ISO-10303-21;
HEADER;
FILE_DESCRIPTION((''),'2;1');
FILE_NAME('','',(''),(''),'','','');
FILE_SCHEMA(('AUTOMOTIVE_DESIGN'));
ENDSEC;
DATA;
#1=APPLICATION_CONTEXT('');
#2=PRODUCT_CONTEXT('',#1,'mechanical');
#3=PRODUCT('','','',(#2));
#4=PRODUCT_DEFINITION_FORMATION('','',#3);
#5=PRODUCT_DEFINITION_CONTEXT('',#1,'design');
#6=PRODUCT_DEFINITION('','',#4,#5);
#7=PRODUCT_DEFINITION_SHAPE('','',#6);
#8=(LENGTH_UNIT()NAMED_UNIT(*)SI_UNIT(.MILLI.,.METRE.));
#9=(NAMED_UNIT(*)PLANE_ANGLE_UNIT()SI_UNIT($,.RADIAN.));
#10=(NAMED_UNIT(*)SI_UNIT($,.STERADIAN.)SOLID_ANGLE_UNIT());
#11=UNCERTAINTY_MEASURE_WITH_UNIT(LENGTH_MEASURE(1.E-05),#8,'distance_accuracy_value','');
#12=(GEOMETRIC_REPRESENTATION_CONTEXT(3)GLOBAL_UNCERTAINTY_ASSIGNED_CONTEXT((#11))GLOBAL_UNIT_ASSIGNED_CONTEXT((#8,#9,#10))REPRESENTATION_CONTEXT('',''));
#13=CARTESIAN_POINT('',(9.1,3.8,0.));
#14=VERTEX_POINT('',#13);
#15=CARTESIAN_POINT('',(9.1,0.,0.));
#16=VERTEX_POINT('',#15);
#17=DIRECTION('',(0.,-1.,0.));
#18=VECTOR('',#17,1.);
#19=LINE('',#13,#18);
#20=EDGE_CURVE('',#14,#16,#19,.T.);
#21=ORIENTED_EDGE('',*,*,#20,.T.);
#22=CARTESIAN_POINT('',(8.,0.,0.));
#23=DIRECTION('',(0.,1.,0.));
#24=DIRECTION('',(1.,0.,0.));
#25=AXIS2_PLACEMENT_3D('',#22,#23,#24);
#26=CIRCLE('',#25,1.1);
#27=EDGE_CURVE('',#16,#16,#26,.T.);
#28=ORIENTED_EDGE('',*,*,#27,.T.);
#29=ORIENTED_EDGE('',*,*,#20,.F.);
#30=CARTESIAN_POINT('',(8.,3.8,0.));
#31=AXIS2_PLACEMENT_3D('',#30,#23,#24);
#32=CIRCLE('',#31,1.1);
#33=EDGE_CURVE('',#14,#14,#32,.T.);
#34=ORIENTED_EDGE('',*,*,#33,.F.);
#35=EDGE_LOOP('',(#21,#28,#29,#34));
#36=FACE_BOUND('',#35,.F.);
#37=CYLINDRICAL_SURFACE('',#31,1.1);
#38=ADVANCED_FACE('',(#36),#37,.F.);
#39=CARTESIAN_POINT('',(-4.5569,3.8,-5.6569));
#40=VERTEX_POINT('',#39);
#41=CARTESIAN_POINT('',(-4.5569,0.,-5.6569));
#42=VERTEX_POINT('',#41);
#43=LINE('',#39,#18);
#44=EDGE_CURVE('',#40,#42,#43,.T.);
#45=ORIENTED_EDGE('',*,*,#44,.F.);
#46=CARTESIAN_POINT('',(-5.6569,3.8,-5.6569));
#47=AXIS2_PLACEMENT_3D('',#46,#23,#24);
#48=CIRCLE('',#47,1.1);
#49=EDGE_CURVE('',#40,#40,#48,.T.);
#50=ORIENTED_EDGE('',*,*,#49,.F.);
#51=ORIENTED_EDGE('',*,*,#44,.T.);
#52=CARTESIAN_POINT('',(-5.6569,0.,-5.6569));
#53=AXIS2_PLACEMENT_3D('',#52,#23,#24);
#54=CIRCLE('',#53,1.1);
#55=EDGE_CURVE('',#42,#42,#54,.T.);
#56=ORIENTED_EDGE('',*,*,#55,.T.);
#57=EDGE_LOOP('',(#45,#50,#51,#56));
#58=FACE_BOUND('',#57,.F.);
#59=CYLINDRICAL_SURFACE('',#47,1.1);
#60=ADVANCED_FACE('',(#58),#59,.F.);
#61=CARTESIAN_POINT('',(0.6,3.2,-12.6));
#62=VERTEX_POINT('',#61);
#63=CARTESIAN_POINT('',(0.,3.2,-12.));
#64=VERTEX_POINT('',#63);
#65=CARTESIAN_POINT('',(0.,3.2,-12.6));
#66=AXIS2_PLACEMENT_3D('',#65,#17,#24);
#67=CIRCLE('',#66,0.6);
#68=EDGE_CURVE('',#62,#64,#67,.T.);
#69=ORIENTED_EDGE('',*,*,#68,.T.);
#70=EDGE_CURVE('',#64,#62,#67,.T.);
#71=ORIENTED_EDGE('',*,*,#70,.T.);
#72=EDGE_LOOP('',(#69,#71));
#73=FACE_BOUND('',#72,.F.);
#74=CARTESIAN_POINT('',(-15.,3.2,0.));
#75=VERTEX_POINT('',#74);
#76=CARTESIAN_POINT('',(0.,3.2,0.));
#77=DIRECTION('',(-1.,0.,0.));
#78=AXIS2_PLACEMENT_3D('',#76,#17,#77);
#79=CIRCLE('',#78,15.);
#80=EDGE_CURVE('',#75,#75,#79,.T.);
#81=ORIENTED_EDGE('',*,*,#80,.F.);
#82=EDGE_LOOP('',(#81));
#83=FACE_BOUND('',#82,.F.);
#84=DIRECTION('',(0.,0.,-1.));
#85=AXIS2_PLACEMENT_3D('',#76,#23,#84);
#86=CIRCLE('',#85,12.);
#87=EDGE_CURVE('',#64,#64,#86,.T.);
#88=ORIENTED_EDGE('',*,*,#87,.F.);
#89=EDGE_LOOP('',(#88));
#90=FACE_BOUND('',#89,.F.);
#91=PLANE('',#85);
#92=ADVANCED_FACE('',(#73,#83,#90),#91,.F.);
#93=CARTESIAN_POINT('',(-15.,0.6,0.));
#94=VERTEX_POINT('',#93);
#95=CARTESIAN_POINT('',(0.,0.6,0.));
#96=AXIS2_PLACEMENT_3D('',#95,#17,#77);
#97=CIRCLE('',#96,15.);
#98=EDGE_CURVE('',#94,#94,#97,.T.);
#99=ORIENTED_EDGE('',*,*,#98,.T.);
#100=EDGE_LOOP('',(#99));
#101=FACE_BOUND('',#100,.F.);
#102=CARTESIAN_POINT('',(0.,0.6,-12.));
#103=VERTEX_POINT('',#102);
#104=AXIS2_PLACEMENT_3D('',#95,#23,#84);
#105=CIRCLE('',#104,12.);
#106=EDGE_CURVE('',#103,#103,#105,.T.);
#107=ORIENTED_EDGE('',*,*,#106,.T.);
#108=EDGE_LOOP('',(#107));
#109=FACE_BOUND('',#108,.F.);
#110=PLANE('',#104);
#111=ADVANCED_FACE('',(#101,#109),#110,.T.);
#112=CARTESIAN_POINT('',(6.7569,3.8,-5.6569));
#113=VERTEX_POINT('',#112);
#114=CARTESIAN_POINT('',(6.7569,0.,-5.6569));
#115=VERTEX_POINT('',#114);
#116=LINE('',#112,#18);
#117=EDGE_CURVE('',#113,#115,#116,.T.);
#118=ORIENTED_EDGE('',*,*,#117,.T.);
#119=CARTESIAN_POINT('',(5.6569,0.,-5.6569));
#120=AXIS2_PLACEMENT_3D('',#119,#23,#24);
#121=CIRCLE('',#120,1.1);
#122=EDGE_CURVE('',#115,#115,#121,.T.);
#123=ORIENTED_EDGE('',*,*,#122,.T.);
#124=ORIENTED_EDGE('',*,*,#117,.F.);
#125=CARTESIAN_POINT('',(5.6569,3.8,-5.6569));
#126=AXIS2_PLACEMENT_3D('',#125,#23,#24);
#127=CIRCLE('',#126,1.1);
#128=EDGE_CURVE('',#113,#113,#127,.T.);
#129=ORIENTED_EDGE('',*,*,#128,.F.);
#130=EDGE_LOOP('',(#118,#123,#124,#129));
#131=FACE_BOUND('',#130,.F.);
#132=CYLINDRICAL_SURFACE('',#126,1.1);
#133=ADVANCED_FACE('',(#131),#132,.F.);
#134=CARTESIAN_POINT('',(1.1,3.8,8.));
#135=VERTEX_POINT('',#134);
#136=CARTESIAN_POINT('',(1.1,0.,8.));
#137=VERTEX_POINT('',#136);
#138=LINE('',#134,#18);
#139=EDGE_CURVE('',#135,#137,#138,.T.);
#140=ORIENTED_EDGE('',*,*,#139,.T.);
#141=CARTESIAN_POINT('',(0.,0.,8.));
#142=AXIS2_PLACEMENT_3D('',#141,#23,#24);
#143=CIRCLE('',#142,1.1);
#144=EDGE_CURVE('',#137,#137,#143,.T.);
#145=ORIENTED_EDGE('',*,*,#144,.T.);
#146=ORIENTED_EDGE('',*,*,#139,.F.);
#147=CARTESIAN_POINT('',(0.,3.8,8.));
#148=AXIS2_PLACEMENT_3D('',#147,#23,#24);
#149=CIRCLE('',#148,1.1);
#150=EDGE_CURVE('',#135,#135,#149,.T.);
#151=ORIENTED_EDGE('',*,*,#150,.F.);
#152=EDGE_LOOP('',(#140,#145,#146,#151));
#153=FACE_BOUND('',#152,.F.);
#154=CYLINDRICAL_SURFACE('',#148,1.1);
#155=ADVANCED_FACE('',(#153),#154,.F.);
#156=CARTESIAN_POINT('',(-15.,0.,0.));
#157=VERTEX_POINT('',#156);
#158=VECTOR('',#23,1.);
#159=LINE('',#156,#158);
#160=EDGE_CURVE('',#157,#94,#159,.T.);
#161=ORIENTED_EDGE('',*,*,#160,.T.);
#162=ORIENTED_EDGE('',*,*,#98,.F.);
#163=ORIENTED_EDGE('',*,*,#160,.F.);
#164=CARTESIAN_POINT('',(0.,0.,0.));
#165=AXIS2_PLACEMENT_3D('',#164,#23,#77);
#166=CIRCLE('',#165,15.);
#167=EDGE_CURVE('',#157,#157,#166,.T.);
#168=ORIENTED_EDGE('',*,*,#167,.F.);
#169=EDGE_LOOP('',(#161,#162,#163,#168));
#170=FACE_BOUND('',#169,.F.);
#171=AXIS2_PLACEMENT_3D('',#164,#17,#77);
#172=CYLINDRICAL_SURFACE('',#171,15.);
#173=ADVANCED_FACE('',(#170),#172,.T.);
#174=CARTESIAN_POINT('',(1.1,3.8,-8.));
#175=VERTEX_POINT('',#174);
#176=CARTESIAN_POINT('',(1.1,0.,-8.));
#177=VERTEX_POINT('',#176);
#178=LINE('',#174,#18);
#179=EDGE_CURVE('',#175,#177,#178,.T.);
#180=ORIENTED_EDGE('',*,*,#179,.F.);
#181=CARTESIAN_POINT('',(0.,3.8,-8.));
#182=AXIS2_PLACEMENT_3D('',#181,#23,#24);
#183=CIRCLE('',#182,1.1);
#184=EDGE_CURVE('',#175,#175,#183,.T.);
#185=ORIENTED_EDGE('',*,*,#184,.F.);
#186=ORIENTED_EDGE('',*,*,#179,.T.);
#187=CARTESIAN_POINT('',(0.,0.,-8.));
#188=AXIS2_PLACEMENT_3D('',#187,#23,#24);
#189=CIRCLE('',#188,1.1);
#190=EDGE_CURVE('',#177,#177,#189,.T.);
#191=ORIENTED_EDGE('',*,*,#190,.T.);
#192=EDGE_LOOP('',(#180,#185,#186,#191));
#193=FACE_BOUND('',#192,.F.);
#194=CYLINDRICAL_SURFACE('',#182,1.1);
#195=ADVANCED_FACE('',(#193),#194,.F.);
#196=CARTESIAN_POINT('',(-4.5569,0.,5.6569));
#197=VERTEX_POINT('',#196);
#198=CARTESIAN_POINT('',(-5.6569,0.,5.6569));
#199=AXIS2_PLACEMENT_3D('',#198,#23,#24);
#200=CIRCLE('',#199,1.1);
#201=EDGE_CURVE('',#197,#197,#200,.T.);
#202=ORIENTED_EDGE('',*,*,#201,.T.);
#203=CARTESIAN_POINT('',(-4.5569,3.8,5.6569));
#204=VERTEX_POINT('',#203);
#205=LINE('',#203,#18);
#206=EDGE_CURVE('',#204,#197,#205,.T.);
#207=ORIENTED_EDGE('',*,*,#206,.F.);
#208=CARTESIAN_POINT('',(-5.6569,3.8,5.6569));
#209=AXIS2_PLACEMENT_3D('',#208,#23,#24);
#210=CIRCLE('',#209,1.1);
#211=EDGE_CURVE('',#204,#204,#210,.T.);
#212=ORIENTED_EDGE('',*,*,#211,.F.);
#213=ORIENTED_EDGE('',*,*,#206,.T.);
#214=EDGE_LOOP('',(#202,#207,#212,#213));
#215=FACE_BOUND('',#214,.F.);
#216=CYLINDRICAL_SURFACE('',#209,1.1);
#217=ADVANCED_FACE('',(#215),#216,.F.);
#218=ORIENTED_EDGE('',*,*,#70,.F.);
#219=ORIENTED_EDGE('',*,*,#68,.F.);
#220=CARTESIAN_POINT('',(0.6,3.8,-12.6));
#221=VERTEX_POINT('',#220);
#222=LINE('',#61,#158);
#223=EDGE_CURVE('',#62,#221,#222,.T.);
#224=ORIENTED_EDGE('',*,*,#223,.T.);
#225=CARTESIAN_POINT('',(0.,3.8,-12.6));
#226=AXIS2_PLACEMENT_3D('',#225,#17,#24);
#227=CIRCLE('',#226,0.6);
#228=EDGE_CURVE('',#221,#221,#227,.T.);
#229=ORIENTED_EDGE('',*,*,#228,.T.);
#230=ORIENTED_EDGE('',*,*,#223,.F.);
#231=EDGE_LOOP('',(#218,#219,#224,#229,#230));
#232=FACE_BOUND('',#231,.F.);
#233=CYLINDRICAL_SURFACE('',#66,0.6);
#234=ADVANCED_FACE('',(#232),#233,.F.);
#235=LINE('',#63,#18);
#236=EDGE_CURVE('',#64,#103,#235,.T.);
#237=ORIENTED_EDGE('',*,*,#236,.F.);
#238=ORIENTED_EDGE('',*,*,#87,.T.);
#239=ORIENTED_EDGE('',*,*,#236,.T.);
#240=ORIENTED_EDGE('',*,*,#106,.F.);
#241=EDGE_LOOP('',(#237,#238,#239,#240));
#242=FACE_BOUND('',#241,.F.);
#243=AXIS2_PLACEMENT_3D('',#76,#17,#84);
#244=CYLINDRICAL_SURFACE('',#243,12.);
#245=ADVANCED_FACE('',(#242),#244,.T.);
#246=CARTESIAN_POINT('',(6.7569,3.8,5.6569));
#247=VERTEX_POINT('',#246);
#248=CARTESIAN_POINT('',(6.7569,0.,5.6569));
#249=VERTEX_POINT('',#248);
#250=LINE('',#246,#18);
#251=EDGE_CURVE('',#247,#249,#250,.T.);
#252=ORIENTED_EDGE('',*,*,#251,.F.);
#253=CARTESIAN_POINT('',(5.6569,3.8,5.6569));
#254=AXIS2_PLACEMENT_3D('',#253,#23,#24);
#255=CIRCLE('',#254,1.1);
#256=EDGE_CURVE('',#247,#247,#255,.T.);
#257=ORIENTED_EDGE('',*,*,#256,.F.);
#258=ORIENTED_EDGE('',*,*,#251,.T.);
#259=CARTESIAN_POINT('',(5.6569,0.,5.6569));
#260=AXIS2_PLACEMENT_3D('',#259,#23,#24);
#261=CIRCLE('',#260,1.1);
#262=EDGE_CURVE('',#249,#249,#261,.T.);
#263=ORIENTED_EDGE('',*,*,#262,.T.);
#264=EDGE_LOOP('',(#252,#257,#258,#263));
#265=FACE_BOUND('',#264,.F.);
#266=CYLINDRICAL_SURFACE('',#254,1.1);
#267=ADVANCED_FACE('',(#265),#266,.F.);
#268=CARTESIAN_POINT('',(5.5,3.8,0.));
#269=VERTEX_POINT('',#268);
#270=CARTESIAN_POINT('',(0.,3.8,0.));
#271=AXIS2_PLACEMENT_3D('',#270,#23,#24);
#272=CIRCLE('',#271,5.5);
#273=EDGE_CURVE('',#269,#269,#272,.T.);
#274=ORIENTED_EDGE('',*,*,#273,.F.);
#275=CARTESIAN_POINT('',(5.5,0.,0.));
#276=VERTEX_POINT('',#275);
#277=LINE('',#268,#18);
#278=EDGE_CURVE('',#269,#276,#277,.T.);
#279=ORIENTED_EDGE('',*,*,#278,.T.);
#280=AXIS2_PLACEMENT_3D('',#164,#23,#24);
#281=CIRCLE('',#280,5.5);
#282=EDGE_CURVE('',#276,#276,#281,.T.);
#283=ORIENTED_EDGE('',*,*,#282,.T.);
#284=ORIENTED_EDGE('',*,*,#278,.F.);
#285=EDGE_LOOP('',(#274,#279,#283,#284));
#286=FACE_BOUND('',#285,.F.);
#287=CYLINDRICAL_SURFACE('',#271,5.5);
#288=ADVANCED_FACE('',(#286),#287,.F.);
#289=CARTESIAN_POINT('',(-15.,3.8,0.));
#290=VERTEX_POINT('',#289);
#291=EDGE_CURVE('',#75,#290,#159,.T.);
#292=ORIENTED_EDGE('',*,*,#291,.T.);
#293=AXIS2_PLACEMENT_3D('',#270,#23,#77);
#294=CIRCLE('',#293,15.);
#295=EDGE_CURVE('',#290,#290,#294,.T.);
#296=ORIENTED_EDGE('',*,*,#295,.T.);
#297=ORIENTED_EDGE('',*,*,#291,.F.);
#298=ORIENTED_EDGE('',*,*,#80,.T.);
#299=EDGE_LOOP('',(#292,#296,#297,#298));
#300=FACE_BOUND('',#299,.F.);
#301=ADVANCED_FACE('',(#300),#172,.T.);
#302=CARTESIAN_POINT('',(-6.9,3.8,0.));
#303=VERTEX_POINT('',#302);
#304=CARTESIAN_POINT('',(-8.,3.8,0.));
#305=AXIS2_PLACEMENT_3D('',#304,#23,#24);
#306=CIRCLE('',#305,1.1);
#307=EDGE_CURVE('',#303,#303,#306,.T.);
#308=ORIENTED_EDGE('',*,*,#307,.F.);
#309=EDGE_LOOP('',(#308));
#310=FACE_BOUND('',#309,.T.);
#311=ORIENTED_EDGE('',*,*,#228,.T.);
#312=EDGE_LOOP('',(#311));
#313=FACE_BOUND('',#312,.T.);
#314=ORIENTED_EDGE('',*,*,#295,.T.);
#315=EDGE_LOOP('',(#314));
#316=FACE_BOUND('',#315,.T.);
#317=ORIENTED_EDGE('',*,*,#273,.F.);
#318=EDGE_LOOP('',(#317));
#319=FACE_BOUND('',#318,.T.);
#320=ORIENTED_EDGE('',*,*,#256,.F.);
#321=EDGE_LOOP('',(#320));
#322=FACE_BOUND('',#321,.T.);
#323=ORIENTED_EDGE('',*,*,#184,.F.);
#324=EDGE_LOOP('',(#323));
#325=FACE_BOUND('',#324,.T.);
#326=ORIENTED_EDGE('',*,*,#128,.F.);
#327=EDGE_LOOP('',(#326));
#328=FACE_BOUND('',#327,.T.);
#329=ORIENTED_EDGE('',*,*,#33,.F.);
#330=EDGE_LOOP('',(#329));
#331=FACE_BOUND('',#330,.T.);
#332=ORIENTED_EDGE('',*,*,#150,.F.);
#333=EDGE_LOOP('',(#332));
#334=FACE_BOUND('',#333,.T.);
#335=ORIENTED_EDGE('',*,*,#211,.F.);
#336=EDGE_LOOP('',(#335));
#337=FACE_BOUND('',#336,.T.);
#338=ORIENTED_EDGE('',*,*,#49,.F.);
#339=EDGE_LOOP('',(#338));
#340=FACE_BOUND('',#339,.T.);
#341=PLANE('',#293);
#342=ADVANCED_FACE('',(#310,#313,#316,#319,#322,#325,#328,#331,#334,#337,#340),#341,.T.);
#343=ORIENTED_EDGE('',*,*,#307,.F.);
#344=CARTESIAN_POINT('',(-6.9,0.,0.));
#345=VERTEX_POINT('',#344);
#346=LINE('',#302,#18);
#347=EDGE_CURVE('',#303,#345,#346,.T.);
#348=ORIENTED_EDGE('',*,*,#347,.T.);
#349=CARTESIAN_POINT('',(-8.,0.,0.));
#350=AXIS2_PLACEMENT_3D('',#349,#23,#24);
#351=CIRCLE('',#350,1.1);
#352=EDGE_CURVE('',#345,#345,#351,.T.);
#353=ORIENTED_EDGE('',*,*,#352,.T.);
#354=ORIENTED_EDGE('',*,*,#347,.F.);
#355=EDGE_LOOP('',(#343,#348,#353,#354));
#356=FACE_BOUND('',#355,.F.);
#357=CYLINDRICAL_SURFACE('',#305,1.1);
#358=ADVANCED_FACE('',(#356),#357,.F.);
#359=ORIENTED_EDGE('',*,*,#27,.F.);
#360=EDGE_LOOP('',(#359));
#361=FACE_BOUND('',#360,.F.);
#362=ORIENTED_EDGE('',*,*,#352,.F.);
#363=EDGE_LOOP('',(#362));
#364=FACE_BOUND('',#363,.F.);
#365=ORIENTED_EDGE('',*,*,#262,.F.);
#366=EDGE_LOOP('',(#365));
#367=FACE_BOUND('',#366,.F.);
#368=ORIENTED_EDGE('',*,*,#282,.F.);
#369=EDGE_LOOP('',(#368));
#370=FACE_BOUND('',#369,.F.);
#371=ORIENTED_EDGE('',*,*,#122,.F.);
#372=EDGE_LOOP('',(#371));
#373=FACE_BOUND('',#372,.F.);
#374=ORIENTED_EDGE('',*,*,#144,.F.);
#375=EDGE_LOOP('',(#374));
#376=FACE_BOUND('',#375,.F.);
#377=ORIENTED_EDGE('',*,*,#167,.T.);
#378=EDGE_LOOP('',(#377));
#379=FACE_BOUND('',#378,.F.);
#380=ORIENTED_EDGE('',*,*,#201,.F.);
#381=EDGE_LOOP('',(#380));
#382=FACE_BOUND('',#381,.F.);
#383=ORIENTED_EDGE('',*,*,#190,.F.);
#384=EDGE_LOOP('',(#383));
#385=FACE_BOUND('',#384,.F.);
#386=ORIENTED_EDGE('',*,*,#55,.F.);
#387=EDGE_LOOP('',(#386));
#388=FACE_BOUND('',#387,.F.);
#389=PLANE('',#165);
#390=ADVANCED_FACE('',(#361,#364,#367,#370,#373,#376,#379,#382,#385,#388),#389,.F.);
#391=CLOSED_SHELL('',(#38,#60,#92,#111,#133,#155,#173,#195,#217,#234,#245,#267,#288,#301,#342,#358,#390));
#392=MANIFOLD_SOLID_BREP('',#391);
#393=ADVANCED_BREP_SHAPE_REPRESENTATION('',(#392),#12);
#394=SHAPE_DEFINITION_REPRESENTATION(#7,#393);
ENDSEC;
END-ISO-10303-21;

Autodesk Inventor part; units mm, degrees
ref_plane "YZ Plane" through (0, 0, 0) normal (1, 0, 0) x (0, 1, 0)
ref_plane "XZ Plane" through (0, 0, 0) normal (0, 1, 0) x (-1, 0, 0)
ref_plane "XY Plane" through (0, 0, 0) normal (0, 0, 1) x (1, 0, 0)
sketch "Sketch1" plane through (0, 0, 0) normal (0, 1, 0) x (-1, 0, 0)
  circle A0 centre (0, 0) radius 15
  dimension "d0" = 30
extrude "Extrusion1" add sketch "Sketch1" along normal blind 3.8
sketch "Sketch2" plane through (0, 3.8, 0) normal (0, 1, 0) x (1, 0, 0)
  circle A0 centre (0, 0) radius 8 construction
  circle A1 centre (-8, 0) radius 1.1
  circle A2 centre (-5.6569, -5.6569) radius 1.1
  circle A3 centre (0, -8) radius 1.1
  circle A4 centre (5.6569, -5.6569) radius 1.1
  circle A5 centre (8, 0) radius 1.1
  circle A6 centre (5.6569, 5.6569) radius 1.1
  circle A7 centre (0, 8) radius 1.1
  circle A8 centre (-5.6569, 5.6569) radius 1.1
  circle A9 centre (0, 0) radius 5.5
  dimension "d3" = 16
  dimension "d4" = 2.2
  dimension "d7" = 360
  dimension "d9" = 11
extrude "Extrusion2" cut sketch "Sketch2" against normal through all
sketch "Sketch3" plane through (0, 0, 0) normal (1, 0, 0) x (0, 1, 0)
  point P0 (0, 0)
sketch "Sketch4" plane through (0, 0, 0) normal (1, 0, 0) x (0, 1, 0)
  line L0 (3.8, 5.5) -> (0, 5.5) construction
  line L1 (0, 5.5) -> (0, 6.9) construction
  line L2 (0, 6.9) -> (3.8, 6.9) construction
  line L3 (3.8, 6.9) -> (3.8, 5.5) construction
  line L4 (0, -5.5) -> (3.8, -5.5) construction
  line L5 (3.8, -5.5) -> (3.8, -6.9) construction
  line L6 (3.8, -6.9) -> (0, -6.9) construction
  line L7 (0, -6.9) -> (0, -5.5) construction
  line L8 (0, 15) -> (3.8, 15) construction
  line L9 (3.8, 15) -> (3.8, 9.1) construction
  line L10 (3.8, 9.1) -> (0, 9.1) construction
  line L11 (0, 9.1) -> (0, 15) construction
  line L12 (3.8, -15) -> (0, -15) construction
  line L13 (0, -15) -> (0, -9.1) construction
  line L14 (0, -9.1) -> (3.8, -9.1) construction
  line L15 (3.8, -9.1) -> (3.8, -15) construction
  line L16 (0.6, -15) -> (3.2, -15)
  line L17 (3.2, -15) -> (3.2, -12)
  line L18 (3.2, -12) -> (0.6, -12)
  line L19 (0.6, -12) -> (0.6, -15)
  line L20 (-0.76, 0) -> (4.56, 0) projected
  point P0 (0, 0)
  point P1 (1.9, -15)
  dimension "d12" = 0.6
  dimension "d15" = 12
revolve "Revolution1" cut sketch "Sketch4" angle 360 about axis through (0, -10, 0) along (0, 1, 0)
sketch "Sketch5" plane through (0, 3.2, 0) normal (0, -1, 0) x (1, 0, 0)
  circle A0 centre (0, -12.6) radius 0.6
  circle A1 centre (0, 0) radius 12 construction
  circle A2 centre (0, 0) radius 15 construction
  circle A3 centre (-8, 0) radius 1.1 construction
  circle A4 centre (8, 0) radius 1.1 construction
  circle A5 centre (5.6569, 5.6569) radius 1.1 construction
  circle A6 centre (-5.6569, -5.6569) radius 1.1 construction
  circle A7 centre (-5.6569, 5.6569) radius 1.1 construction
  circle A8 centre (5.6569, -5.6569) radius 1.1 construction
  circle A9 centre (0, 8) radius 1.1 construction
  circle A10 centre (0, -8) radius 1.1 construction
  circle A11 centre (0, 0) radius 5.5 construction
  dimension "d17" = 1.2
extrude "Extrusion3" cut sketch "Sketch5" against normal up to surface (0.6 mm away)
properties part number "Pully_r12"
